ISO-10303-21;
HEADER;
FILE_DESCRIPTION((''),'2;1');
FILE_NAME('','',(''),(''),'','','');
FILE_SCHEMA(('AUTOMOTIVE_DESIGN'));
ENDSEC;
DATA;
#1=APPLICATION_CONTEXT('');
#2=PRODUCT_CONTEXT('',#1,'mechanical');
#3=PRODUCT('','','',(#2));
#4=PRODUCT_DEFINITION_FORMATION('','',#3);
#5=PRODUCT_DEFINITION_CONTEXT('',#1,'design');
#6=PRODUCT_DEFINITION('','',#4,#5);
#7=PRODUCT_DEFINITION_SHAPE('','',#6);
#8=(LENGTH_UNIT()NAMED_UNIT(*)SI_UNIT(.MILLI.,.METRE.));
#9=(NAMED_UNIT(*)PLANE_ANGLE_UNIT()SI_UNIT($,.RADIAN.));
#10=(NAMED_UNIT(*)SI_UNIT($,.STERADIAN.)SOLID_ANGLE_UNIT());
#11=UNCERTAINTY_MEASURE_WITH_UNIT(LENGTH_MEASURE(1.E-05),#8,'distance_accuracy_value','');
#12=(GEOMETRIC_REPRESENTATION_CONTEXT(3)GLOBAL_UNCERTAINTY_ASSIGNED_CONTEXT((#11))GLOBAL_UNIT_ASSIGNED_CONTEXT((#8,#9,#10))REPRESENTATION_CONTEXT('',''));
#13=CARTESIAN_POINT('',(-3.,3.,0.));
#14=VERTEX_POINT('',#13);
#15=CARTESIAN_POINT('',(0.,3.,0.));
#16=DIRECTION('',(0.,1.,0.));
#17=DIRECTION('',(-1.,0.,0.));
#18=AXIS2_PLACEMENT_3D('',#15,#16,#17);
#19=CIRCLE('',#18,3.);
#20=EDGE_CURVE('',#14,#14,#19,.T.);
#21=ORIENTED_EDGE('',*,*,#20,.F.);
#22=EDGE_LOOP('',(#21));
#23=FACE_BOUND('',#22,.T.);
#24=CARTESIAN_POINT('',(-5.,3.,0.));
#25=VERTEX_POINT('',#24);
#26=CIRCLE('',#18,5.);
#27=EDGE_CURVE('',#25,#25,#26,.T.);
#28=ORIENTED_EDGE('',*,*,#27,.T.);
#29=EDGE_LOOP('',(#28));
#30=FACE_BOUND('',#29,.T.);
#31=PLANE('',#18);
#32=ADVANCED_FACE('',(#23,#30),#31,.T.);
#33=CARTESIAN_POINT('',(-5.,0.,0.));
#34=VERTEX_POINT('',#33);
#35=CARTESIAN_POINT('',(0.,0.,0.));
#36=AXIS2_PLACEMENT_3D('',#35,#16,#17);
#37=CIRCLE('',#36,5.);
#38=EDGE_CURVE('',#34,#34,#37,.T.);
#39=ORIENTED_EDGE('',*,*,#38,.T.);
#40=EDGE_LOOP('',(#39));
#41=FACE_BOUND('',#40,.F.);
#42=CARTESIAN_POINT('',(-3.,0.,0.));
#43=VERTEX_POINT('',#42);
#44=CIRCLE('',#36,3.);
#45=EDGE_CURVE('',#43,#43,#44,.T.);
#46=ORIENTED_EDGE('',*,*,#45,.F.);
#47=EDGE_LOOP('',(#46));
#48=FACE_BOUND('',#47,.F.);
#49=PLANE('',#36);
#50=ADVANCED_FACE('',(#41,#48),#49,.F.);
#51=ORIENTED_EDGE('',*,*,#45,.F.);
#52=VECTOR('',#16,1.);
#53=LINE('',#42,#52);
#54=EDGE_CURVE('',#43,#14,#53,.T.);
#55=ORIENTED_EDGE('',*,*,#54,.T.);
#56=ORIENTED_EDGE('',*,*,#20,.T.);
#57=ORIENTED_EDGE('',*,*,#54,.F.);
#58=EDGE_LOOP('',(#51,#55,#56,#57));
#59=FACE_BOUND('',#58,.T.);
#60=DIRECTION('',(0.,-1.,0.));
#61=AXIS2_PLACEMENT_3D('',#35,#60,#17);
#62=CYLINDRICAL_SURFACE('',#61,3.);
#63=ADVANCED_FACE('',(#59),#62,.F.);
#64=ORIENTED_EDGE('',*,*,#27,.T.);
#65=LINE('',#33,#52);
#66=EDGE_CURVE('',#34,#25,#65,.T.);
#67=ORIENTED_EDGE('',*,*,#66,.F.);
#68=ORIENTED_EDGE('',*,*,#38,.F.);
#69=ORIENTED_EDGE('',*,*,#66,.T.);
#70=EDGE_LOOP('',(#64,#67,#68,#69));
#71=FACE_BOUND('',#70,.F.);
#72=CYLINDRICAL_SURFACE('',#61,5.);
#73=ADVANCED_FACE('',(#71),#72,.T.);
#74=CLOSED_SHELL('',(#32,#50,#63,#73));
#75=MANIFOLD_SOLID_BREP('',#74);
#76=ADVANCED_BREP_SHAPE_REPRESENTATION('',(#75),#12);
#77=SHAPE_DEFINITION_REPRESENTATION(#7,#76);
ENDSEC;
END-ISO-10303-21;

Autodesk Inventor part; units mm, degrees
ref_plane "YZ Plane" through (0, 0, 0) normal (1, 0, 0) x (0, 1, 0)
ref_plane "XZ Plane" through (0, 0, 0) normal (0, 1, 0) x (-1, 0, 0)
ref_plane "XY Plane" through (0, 0, 0) normal (0, 0, 1) x (1, 0, 0)
sketch "Skizze1" plane through (0, 0, 0) normal (0, 1, 0) x (-1, 0, 0)
  circle A0 centre (0, 0) radius 5
  circle A1 centre (0, 0) radius 3
  dimension "d0" = 10
  dimension "d1" = 6
extrude "Extrusion1" add sketch "Skizze1" along normal blind 3
properties part number "00_Ringmagnet_10x5x3mm"
